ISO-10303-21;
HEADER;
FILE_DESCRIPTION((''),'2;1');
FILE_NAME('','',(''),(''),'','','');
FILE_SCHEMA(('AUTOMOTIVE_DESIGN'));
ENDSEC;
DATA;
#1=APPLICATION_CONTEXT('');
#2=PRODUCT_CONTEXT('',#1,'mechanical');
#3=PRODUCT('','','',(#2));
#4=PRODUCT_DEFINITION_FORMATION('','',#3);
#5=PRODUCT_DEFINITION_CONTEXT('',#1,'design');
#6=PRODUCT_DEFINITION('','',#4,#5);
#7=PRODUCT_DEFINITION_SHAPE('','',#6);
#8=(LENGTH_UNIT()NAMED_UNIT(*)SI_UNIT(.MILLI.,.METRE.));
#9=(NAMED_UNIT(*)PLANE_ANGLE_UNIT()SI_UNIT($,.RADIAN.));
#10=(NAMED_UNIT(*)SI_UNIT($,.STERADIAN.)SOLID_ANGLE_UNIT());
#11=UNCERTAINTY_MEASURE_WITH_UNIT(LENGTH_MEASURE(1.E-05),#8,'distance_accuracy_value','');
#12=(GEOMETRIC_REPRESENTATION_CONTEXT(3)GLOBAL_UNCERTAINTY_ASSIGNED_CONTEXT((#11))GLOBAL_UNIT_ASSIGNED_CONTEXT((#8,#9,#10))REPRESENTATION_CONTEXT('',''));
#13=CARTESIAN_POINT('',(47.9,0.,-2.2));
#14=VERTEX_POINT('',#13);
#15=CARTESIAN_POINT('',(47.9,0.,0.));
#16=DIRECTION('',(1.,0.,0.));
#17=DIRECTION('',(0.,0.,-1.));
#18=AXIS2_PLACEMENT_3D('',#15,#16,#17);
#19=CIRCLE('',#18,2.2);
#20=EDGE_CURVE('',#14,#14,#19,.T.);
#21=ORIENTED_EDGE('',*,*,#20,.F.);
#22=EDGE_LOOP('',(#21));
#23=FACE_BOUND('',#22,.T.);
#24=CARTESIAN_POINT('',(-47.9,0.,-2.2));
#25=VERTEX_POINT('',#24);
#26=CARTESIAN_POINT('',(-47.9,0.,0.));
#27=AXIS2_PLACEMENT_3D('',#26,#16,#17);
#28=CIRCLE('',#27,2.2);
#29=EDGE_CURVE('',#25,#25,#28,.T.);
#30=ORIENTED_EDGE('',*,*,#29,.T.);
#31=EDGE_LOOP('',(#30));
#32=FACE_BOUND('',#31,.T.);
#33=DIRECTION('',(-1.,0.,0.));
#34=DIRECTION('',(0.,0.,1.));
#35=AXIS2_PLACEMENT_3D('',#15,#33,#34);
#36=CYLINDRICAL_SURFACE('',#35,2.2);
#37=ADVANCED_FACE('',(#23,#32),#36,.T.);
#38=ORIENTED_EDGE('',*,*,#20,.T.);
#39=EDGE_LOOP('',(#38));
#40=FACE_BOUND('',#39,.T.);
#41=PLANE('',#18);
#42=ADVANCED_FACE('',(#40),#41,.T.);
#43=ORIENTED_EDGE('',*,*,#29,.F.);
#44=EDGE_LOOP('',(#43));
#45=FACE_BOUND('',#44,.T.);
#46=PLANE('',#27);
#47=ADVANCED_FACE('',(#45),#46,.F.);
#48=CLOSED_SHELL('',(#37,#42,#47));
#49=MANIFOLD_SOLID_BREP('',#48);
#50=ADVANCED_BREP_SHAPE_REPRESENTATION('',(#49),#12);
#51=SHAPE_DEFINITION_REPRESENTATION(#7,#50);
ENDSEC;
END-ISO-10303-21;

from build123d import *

# Parameters (mm, degrees)
SKETCH1_R           = 2.2
BOSS_EXTRUDE1_DEPTH = 47.9


with BuildPart() as part:
    # Sketch1 → Boss-Extrude1 (new body, symmetric)
    with BuildSketch(Plane(origin=(0, 0, 0), x_dir=(0, 0, -1), z_dir=(1, 0, 0))):
        Circle(SKETCH1_R)
    extrude(amount=BOSS_EXTRUDE1_DEPTH, both=True)


solid = part.part
